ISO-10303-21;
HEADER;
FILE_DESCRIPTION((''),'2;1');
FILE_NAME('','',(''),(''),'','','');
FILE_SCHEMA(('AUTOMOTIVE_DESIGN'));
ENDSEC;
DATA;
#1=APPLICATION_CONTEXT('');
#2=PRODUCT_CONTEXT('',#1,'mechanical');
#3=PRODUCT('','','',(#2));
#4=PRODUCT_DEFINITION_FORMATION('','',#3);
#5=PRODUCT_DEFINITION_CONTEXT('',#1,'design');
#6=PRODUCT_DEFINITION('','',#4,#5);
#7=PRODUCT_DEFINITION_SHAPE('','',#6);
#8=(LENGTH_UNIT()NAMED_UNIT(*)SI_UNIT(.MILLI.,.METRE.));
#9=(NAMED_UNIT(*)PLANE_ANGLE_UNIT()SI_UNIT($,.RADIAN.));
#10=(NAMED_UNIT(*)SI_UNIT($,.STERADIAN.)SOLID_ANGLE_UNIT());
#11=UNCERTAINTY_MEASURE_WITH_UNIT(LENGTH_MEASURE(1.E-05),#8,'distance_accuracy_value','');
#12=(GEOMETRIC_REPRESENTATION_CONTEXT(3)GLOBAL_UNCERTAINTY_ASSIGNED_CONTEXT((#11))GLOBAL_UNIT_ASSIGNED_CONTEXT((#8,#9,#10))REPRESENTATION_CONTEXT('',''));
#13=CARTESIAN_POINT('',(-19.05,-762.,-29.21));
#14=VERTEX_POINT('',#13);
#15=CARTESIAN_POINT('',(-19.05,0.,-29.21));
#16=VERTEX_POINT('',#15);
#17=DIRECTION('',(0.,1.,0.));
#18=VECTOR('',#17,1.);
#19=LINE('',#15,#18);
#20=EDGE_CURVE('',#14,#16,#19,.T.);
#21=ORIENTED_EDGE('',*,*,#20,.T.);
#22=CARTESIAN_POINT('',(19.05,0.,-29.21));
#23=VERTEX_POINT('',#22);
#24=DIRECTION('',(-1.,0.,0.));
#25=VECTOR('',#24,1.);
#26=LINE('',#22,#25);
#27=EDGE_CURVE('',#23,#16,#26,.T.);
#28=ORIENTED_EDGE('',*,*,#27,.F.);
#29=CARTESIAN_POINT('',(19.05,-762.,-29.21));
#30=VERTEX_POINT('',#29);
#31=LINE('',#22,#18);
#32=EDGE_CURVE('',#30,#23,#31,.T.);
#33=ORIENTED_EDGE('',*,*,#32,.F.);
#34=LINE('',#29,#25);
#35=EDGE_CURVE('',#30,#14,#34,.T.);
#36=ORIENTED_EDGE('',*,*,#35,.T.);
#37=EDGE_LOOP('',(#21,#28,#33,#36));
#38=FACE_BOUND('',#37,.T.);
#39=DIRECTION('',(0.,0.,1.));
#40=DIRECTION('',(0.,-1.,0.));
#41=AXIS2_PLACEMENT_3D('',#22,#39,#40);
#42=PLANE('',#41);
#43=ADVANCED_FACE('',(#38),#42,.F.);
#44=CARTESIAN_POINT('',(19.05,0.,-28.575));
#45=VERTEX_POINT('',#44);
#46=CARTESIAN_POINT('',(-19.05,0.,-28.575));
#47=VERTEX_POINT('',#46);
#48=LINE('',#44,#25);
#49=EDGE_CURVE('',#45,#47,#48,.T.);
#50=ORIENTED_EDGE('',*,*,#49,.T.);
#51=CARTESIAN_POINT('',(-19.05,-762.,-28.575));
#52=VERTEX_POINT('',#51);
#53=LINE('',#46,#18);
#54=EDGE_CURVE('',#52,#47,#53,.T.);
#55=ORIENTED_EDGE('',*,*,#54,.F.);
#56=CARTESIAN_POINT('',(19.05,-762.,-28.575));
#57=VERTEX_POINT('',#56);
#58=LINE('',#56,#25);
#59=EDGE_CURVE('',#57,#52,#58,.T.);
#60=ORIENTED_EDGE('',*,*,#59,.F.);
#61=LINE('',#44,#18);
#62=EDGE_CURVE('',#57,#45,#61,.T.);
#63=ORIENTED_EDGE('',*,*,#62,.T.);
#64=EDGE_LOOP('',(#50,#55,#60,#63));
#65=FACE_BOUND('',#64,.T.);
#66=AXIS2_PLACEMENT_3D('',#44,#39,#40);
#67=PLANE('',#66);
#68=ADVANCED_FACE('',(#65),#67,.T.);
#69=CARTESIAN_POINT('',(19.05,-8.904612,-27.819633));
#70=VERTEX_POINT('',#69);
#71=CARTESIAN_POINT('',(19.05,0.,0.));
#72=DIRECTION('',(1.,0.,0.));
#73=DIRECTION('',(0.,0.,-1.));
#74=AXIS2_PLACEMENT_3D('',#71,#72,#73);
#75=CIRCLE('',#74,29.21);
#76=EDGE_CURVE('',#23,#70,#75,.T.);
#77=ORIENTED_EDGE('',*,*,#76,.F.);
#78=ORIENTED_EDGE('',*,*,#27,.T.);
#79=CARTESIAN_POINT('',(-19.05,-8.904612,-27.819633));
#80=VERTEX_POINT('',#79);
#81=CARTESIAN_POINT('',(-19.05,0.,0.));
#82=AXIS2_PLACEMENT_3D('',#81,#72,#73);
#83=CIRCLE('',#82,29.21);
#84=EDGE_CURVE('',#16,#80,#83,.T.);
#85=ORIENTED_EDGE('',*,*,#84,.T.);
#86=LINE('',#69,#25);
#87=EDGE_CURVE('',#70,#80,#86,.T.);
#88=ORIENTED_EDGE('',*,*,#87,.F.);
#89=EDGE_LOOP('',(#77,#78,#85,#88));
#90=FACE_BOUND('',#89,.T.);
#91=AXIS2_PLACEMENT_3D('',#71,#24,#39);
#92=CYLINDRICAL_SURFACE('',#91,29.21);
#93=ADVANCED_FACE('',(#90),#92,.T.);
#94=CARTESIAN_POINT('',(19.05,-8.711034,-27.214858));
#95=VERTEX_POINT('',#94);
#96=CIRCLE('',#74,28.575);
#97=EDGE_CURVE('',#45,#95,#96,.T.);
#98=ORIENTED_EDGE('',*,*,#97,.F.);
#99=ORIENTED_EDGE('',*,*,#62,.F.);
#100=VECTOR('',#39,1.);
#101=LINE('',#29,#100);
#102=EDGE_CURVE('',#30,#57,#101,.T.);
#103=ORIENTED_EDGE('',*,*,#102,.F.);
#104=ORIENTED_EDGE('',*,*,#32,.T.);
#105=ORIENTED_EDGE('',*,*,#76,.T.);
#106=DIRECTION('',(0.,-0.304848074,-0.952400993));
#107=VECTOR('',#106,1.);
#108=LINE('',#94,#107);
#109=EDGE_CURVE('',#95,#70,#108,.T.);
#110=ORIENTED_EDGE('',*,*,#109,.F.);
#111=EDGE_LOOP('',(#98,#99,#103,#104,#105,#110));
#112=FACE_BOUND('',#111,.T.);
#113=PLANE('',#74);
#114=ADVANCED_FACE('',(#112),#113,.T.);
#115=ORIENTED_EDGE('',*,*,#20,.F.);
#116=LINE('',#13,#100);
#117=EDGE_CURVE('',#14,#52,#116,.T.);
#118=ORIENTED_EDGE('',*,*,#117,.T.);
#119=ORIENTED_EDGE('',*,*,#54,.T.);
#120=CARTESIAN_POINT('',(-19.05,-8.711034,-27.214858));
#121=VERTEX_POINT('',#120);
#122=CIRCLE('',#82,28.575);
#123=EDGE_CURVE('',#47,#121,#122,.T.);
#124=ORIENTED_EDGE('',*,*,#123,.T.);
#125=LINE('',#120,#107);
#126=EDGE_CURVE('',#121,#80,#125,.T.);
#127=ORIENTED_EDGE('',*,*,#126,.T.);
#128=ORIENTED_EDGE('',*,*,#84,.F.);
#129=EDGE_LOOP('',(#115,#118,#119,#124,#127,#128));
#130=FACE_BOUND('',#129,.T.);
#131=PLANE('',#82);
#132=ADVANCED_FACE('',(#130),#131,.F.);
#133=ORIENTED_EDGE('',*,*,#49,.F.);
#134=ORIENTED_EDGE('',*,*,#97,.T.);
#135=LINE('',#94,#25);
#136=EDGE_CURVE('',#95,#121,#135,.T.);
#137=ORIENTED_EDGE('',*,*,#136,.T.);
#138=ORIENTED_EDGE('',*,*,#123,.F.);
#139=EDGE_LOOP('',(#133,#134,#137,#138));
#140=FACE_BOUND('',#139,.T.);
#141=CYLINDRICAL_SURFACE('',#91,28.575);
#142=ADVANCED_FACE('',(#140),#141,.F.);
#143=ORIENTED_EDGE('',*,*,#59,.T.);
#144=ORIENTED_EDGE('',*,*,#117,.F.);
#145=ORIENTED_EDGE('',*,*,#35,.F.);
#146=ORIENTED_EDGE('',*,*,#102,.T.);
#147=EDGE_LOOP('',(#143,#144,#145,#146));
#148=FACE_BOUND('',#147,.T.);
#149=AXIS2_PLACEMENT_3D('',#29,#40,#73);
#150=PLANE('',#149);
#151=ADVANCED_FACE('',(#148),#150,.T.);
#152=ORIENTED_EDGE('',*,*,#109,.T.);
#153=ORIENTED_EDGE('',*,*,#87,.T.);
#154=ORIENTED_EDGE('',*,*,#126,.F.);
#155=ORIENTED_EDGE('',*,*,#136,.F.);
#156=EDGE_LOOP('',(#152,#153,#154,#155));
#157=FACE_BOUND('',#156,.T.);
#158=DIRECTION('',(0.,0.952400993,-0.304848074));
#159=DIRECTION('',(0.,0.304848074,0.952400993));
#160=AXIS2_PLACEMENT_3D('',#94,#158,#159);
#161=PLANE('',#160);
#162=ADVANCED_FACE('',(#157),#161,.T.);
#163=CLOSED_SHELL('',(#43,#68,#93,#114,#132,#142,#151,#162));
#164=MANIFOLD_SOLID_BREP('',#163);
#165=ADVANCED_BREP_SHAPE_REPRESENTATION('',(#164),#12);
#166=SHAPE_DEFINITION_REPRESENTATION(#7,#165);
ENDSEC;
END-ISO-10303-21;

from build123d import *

# Parameters (mm, degrees)
EXTRUDE_THIN2_DEPTH = 19.05


with BuildPart() as part:
    # Sketch1 → Extrude-Thin2 (new body, symmetric)
    with BuildSketch(Plane(origin=(0, 0, 0), x_dir=(0, 0, -1), z_dir=(1, 0, 0))):
        with BuildLine():
            ThreePointArc((27.214858383, -8.711033705), (-28.232916988, 4.408290299), (28.575, 0))
            Line((28.575, 0), (28.575, -762))
            Line((28.575, -762), (29.21, -762))
            Line((29.21, -762), (29.21, 0))
            ThreePointArc((29.21, 0), (-28.860315143, 4.506252306), (27.819633013, -8.904612232))
            Line((27.819633013, -8.904612232), (27.214858383, -8.711033705))
        make_face()
    extrude(amount=EXTRUDE_THIN2_DEPTH, both=True)


solid = part.part
